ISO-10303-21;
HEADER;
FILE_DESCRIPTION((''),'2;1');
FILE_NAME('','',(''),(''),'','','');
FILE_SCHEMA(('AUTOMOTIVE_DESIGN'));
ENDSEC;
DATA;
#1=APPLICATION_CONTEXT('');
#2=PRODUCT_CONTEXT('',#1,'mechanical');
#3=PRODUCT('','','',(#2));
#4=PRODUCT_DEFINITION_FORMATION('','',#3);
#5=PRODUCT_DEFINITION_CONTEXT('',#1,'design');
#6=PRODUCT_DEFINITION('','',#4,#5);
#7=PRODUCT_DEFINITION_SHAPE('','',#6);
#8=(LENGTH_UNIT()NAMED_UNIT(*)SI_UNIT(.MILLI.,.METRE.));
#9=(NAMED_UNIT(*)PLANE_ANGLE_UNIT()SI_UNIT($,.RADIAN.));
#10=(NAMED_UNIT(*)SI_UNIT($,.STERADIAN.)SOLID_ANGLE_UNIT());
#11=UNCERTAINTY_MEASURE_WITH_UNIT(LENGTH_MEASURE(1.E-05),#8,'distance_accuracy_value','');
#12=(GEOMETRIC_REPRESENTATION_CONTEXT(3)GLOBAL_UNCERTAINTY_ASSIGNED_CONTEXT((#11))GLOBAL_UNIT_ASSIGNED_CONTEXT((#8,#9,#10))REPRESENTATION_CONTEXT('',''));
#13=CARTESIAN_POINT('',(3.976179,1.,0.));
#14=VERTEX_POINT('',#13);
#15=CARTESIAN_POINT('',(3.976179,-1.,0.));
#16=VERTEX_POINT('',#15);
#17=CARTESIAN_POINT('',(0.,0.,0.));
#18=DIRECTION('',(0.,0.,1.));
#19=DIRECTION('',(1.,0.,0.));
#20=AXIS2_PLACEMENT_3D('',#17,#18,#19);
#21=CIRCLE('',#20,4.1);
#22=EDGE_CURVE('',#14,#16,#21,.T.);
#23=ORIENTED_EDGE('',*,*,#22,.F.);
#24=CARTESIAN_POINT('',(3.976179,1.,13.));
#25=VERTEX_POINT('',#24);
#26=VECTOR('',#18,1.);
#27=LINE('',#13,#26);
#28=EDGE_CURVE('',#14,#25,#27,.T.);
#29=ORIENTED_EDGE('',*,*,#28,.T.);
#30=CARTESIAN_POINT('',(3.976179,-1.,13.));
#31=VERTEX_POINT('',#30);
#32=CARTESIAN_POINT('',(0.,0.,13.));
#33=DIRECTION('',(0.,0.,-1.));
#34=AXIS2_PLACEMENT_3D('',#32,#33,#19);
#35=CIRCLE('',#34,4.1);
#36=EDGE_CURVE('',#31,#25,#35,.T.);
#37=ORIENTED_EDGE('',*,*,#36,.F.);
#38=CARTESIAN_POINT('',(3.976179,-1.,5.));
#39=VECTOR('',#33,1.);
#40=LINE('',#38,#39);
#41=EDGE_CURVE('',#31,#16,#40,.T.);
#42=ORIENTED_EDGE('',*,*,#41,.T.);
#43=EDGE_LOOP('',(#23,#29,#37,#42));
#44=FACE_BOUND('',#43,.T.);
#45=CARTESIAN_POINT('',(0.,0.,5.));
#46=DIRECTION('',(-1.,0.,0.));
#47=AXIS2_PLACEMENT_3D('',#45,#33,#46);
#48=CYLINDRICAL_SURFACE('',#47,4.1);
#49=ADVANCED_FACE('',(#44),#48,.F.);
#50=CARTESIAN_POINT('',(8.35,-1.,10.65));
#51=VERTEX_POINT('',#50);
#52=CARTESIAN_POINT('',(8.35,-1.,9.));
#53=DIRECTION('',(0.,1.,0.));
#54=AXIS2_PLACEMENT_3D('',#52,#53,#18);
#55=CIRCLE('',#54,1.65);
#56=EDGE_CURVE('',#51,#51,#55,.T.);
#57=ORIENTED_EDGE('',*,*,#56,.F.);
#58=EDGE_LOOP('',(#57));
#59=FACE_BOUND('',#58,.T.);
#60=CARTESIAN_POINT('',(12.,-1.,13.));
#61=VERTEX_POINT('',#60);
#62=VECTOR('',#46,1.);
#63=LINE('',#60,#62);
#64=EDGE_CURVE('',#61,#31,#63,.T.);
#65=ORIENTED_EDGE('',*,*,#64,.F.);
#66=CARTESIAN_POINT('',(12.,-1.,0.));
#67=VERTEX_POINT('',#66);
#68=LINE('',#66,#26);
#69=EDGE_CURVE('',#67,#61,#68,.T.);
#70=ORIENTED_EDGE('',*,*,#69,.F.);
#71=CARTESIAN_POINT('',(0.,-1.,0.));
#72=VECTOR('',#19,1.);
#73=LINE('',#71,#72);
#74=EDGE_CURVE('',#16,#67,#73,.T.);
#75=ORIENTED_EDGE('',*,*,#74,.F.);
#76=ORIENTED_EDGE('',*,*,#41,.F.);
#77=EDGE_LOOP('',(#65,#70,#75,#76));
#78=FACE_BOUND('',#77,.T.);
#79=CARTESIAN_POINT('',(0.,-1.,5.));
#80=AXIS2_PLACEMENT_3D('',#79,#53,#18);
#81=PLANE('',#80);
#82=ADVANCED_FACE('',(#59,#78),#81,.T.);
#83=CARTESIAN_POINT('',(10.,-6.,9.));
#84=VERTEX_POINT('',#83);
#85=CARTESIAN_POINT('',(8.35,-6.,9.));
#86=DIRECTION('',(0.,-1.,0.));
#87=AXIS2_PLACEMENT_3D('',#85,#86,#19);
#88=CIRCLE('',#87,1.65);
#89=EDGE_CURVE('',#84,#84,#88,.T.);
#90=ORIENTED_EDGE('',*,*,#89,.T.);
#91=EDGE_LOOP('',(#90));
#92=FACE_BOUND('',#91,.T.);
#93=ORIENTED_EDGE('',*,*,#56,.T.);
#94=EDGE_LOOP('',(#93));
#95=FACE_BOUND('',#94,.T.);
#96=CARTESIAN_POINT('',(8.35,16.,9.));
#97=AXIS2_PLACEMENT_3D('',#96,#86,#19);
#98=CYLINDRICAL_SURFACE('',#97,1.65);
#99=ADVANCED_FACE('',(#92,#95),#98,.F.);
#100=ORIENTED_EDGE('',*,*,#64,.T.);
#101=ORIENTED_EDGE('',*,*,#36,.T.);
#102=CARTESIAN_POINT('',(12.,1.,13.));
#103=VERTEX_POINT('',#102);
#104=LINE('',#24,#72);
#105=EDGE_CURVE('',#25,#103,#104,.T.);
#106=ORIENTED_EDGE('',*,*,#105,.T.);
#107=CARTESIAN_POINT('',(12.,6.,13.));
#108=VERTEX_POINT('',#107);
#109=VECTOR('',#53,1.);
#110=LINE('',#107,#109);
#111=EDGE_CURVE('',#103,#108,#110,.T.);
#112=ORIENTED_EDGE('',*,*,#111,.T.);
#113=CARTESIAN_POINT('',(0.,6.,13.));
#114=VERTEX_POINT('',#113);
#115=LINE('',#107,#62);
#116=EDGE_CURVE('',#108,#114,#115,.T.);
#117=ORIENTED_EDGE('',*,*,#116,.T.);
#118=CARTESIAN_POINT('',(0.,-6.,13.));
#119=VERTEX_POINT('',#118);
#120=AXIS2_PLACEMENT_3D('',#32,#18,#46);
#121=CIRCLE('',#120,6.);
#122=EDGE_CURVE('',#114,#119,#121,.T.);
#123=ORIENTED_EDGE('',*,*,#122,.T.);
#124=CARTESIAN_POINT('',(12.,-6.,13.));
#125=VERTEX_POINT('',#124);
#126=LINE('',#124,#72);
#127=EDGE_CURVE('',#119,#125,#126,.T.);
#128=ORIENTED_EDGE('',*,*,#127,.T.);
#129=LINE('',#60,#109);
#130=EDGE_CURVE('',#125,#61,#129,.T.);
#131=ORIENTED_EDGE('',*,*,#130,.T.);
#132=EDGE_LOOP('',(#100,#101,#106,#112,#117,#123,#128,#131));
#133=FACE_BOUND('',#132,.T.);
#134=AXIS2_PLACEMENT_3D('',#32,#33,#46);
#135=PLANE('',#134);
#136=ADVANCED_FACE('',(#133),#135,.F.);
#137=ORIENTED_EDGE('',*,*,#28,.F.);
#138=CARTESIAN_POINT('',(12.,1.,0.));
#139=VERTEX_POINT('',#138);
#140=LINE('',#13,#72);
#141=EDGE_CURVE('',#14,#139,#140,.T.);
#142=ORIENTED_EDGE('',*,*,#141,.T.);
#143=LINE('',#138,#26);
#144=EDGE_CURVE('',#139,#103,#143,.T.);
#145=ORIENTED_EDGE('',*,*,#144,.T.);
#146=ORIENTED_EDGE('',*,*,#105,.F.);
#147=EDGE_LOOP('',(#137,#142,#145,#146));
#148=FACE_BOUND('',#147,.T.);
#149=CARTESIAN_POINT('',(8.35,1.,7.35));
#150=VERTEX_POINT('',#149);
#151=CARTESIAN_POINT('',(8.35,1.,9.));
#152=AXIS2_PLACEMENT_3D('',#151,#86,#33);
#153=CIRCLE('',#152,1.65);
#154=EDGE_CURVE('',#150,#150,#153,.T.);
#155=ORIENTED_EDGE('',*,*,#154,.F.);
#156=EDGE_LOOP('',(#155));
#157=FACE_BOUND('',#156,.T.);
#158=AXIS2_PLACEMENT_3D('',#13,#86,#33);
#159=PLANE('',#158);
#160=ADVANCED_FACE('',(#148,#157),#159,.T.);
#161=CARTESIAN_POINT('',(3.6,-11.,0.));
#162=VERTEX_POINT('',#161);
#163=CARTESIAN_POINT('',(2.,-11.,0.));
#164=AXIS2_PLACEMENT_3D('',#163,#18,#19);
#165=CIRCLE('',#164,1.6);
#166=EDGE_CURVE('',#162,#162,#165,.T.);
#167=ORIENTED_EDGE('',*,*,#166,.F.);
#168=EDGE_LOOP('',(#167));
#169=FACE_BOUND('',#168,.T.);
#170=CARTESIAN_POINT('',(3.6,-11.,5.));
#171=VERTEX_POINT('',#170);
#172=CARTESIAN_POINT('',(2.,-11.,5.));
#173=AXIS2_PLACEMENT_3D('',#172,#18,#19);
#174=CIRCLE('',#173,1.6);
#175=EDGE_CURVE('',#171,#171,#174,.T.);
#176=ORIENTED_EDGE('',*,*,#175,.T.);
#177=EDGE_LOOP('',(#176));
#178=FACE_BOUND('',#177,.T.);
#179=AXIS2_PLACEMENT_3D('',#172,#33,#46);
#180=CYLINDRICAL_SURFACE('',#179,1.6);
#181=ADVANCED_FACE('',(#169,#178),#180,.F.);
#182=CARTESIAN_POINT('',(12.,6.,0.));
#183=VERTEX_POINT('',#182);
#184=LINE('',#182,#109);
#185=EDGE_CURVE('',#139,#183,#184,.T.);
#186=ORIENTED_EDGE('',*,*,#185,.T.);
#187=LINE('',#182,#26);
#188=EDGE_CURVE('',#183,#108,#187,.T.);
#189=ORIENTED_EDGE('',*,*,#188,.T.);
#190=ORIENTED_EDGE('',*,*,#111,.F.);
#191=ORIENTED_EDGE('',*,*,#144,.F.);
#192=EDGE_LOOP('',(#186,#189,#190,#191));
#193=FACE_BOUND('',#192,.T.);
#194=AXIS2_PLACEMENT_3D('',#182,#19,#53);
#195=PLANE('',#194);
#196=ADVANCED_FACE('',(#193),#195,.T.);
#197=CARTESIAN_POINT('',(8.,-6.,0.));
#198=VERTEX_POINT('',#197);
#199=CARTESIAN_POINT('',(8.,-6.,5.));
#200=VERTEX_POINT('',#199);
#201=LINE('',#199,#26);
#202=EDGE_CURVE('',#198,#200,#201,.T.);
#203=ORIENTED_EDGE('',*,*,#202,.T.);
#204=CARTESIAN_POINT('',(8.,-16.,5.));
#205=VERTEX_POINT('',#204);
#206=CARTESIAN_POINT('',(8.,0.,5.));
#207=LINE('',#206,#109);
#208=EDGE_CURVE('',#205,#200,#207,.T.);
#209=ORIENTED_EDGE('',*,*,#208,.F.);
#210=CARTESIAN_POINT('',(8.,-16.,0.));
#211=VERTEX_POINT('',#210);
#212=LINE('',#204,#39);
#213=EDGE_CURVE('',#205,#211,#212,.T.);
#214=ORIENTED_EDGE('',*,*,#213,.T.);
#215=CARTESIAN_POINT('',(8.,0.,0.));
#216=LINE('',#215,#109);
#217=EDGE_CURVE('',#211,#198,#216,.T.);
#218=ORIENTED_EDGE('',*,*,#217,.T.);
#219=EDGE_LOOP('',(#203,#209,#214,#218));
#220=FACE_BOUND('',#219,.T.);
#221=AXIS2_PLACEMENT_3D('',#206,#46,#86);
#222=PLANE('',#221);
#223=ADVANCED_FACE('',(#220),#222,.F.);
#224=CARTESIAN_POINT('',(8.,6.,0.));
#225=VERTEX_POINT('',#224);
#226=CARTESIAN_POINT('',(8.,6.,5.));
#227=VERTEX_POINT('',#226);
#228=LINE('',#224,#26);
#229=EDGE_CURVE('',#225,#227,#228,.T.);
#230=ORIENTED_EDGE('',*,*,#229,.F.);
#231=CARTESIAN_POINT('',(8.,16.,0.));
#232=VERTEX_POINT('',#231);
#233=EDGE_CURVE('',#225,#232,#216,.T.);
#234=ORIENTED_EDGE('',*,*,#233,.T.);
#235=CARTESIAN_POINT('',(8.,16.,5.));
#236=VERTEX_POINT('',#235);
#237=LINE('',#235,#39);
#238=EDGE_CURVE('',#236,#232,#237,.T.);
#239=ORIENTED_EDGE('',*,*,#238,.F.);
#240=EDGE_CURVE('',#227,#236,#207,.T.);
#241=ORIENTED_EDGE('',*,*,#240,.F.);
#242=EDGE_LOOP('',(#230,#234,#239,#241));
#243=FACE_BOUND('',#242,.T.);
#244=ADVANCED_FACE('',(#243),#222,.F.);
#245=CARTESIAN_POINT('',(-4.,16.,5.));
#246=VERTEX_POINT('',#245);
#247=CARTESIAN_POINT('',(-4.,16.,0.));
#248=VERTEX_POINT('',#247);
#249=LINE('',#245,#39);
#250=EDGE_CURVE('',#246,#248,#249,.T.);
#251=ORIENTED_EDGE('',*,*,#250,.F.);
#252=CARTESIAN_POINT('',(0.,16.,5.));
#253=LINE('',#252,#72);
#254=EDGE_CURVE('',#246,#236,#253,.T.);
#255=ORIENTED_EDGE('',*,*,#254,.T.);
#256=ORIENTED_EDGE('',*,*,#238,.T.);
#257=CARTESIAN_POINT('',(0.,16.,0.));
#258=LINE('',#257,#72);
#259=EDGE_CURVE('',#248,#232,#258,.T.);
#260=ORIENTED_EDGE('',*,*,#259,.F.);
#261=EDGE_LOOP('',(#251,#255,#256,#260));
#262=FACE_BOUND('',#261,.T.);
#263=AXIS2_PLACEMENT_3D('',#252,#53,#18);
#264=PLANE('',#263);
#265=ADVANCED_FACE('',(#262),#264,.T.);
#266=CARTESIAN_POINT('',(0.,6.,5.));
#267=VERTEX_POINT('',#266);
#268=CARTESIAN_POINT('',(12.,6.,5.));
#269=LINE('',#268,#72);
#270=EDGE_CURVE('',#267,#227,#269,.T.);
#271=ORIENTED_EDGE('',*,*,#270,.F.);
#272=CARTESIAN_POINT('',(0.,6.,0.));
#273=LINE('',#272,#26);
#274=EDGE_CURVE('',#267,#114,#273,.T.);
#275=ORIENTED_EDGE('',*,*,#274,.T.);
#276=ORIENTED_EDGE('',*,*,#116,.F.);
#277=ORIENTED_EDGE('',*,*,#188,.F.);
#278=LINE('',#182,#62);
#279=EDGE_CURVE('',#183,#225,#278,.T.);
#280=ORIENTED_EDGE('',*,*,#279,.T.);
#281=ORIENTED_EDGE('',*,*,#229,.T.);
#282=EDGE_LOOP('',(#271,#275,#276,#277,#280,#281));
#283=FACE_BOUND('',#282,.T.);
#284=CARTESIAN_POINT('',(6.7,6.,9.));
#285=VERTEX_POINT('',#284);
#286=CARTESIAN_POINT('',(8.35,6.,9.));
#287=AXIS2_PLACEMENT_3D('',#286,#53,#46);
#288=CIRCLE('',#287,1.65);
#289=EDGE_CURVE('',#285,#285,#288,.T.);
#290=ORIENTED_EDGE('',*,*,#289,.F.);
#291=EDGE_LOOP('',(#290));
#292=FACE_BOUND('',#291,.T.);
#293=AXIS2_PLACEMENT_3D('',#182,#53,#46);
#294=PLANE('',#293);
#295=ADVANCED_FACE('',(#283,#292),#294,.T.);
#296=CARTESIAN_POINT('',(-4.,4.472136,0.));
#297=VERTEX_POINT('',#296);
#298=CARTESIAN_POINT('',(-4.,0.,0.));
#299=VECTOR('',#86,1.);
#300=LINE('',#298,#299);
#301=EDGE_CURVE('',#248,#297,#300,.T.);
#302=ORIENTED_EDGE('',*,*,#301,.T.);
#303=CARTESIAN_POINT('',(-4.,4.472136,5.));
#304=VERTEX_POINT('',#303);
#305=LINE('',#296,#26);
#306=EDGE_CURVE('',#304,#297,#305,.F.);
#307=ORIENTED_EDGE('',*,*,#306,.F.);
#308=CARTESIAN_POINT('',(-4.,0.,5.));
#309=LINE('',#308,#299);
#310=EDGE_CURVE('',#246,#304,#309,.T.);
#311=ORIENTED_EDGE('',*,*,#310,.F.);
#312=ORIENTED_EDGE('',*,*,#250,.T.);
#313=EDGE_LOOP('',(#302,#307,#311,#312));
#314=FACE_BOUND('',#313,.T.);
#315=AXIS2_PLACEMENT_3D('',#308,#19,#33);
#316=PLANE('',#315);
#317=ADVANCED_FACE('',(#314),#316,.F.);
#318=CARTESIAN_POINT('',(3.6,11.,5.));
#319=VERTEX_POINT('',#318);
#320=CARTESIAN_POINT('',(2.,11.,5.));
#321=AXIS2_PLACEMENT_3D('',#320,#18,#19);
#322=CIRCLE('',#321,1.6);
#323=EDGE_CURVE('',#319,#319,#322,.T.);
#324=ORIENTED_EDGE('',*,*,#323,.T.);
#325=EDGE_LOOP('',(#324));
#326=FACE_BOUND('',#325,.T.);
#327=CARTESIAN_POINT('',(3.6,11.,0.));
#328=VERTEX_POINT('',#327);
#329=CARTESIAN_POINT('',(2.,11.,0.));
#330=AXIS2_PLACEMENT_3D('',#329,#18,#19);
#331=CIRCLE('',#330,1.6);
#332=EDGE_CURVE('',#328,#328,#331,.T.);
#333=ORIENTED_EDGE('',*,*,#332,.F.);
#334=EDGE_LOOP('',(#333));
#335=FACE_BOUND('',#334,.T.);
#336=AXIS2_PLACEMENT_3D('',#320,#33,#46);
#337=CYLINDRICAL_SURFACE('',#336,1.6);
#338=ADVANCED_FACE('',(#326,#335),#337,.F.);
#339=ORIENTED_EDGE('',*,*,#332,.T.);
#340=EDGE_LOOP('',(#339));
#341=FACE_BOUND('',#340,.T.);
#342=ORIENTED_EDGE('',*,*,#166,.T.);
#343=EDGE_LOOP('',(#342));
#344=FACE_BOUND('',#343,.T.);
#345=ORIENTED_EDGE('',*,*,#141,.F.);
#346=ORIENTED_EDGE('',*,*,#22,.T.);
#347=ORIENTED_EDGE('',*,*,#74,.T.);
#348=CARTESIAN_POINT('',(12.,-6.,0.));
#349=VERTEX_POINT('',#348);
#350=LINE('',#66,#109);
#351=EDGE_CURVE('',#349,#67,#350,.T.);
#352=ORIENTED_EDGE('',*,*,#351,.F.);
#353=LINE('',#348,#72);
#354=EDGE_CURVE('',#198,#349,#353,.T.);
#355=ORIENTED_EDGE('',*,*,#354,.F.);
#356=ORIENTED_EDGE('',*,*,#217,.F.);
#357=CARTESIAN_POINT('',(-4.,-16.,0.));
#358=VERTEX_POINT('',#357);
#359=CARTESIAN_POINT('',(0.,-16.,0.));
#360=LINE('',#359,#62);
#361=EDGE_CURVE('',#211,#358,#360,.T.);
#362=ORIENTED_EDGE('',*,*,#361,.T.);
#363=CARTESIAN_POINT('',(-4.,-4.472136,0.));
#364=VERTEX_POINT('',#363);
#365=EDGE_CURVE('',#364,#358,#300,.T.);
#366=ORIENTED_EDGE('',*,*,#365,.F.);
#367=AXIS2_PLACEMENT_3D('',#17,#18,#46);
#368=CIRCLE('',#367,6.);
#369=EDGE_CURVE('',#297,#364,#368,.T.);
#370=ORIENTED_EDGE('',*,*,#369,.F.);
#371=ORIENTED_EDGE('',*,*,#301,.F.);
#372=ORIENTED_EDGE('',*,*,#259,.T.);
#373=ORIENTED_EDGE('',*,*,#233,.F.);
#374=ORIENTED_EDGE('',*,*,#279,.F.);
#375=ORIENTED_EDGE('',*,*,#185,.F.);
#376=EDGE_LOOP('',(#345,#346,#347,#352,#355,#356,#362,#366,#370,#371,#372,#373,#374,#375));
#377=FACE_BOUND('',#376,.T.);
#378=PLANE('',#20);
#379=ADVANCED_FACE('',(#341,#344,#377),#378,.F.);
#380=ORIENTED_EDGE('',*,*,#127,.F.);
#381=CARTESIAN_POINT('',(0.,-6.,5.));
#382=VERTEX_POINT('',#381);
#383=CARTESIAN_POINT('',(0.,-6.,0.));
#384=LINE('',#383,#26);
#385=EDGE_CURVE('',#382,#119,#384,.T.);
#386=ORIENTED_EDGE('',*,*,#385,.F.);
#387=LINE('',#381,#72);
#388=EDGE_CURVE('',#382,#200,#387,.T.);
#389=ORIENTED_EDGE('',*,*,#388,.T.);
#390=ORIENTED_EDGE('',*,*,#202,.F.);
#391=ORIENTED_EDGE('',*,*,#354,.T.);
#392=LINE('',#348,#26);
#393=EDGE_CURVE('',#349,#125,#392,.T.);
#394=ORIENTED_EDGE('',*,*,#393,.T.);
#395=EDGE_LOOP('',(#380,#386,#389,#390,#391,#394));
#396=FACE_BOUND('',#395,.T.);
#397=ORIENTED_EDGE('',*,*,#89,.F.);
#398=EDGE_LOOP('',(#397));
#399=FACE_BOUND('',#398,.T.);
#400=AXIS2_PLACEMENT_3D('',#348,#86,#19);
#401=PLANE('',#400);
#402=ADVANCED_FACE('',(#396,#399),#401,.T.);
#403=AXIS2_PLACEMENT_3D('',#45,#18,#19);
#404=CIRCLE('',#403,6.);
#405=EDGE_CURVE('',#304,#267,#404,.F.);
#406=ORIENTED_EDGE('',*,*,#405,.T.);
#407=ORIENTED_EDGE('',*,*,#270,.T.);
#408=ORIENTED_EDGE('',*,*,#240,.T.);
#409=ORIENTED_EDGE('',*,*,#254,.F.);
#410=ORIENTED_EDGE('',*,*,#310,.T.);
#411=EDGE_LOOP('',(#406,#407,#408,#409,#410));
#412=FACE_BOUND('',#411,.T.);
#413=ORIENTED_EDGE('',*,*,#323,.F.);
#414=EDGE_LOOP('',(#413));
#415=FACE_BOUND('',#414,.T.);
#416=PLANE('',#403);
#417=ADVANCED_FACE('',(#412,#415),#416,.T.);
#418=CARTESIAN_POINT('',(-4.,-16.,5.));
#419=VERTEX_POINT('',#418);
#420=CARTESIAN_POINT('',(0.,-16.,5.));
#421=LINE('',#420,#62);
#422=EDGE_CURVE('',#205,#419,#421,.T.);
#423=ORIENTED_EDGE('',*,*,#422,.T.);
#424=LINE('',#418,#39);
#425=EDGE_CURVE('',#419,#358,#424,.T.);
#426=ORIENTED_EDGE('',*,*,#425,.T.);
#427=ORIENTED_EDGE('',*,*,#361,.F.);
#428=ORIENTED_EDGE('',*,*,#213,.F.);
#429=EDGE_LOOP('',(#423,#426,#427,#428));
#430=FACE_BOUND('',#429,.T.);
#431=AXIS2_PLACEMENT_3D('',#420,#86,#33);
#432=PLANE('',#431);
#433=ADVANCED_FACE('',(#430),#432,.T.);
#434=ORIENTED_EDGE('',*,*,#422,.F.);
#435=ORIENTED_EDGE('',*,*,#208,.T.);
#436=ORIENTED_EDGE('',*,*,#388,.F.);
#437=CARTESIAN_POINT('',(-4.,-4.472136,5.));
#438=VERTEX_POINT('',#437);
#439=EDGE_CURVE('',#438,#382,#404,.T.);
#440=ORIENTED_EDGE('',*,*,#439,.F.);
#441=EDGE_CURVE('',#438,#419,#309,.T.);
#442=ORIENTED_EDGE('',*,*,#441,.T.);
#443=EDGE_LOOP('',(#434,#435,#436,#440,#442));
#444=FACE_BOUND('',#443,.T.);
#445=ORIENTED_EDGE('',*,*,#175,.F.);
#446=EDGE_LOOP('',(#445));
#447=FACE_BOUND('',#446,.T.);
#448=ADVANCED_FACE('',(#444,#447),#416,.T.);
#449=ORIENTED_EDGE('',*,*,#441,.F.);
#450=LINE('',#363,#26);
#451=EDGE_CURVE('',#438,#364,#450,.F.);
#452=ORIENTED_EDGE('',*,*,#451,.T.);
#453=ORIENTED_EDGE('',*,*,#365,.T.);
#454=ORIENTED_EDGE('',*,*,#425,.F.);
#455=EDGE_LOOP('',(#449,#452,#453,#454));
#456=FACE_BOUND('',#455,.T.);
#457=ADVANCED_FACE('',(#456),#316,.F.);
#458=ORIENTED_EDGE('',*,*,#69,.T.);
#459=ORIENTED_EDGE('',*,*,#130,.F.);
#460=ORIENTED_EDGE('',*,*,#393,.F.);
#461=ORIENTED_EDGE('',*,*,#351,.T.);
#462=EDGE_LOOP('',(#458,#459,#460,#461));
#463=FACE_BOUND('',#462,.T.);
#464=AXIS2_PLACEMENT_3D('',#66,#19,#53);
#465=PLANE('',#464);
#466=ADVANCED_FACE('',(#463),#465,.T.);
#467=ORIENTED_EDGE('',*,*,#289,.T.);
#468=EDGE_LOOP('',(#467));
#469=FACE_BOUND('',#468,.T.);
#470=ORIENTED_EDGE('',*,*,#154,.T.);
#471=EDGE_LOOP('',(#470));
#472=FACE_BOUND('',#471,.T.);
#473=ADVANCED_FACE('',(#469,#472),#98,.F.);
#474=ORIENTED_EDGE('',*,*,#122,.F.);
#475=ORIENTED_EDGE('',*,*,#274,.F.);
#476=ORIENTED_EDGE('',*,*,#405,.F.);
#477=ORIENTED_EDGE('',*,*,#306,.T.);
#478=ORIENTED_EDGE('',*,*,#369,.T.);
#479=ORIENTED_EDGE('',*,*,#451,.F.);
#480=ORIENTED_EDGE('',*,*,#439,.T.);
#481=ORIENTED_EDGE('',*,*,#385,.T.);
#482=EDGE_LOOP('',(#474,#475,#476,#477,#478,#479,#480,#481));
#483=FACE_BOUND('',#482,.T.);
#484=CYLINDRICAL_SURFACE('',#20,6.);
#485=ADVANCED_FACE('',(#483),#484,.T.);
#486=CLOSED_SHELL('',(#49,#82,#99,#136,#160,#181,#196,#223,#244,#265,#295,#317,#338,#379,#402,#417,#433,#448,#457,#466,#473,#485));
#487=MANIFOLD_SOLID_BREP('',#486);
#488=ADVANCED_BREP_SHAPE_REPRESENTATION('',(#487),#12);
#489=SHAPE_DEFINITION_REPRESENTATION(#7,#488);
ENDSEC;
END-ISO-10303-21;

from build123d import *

# Parameters (mm, degrees)
ESBO_O1_R                     = 1.6
RESSALTO_EXTRUS_O1_DEPTH      = 5
RESSALTO_EXTRUS_O1_2_DEPTH    = 5
RESSALTO_EXTRUS_O2_DEPTH      = 8
RESSALTO_EXTRUS_O2_DEPTH_BACK = 5
ESBO_O3_R                     = 1.65
CORTE_EXTRUS_O1_DEPTH         = 23
CORTE_EXTRUS_O1_DEPTH_BACK    = 11


with BuildPart() as part:
    # Esboço1 → Ressalto-extrusão1 (new body)
    with BuildSketch(Plane.XY):
        with BuildLine():
            ThreePointArc((-4, -0.9), (-0.051399019, -4.099677809), (3.97617907, -1))
            Line((3.97617907, -1), (8, -1))
            Line((8, -1), (8, -16))
            Line((8, -16), (-4, -16))
            Line((-4, -16), (-4, -0.9))
        make_face()
        with Locations((2, -11)):
            Circle(ESBO_O1_R, mode=Mode.SUBTRACT)
    extrude(amount=RESSALTO_EXTRUS_O1_DEPTH)



with BuildPart() as body_2:
    # Esboço1 → Ressalto-extrus_o1 2 (new body)
    with BuildSketch(Plane.XY):
        with BuildLine():
            ThreePointArc((3.97617907, 1), (-0.051399019, 4.099677809), (-4, 0.9))
            Line((-4, 0.9), (-4, 16))
            Line((-4, 16), (8, 16))
            Line((8, 16), (8, 1))
            Line((8, 1), (3.97617907, 1))
        make_face()
        with Locations((2, 11)):
            Circle(ESBO_O1_R, mode=Mode.SUBTRACT)
    extrude(amount=RESSALTO_EXTRUS_O1_2_DEPTH)


with BuildPart() as part_1:
    add(part.part)

    add(body_2.part)  # Ressalto-extrusão2 merges body 2
    # Esboço2 → Ressalto-extrusão2 (add, two sides)
    with BuildSketch(Plane.XY.offset(5)) as ressalto_extrus_o2_sk:
        with BuildLine():
            Line((12, 6), (12, 1))
            Line((12, 1), (3.97617907, 1))
            ThreePointArc((3.97617907, 1), (-4.1, 0), (3.97617907, -1))
            Line((3.97617907, -1), (12, -1))
            Line((12, -1), (12, -6))
            Line((12, -6), (0, -6))
            ThreePointArc((0, -6), (-6, 0), (0, 6))
            Line((0, 6), (12, 6))
        make_face()
    extrude(amount=RESSALTO_EXTRUS_O2_DEPTH)
    extrude(ressalto_extrus_o2_sk.sketch, amount=-RESSALTO_EXTRUS_O2_DEPTH_BACK)

    # Esboço3 → Corte-extrusão1 (cut, two sides)
    with BuildSketch(Plane.XZ.offset(-6)) as corte_extrus_o1_sk:
        with Locations((8.35, 9)):
            Circle(ESBO_O3_R)
    extrude(amount=CORTE_EXTRUS_O1_DEPTH, mode=Mode.SUBTRACT)
    extrude(corte_extrus_o1_sk.sketch, amount=-CORTE_EXTRUS_O1_DEPTH_BACK, mode=Mode.SUBTRACT)


solid = part_1.part
